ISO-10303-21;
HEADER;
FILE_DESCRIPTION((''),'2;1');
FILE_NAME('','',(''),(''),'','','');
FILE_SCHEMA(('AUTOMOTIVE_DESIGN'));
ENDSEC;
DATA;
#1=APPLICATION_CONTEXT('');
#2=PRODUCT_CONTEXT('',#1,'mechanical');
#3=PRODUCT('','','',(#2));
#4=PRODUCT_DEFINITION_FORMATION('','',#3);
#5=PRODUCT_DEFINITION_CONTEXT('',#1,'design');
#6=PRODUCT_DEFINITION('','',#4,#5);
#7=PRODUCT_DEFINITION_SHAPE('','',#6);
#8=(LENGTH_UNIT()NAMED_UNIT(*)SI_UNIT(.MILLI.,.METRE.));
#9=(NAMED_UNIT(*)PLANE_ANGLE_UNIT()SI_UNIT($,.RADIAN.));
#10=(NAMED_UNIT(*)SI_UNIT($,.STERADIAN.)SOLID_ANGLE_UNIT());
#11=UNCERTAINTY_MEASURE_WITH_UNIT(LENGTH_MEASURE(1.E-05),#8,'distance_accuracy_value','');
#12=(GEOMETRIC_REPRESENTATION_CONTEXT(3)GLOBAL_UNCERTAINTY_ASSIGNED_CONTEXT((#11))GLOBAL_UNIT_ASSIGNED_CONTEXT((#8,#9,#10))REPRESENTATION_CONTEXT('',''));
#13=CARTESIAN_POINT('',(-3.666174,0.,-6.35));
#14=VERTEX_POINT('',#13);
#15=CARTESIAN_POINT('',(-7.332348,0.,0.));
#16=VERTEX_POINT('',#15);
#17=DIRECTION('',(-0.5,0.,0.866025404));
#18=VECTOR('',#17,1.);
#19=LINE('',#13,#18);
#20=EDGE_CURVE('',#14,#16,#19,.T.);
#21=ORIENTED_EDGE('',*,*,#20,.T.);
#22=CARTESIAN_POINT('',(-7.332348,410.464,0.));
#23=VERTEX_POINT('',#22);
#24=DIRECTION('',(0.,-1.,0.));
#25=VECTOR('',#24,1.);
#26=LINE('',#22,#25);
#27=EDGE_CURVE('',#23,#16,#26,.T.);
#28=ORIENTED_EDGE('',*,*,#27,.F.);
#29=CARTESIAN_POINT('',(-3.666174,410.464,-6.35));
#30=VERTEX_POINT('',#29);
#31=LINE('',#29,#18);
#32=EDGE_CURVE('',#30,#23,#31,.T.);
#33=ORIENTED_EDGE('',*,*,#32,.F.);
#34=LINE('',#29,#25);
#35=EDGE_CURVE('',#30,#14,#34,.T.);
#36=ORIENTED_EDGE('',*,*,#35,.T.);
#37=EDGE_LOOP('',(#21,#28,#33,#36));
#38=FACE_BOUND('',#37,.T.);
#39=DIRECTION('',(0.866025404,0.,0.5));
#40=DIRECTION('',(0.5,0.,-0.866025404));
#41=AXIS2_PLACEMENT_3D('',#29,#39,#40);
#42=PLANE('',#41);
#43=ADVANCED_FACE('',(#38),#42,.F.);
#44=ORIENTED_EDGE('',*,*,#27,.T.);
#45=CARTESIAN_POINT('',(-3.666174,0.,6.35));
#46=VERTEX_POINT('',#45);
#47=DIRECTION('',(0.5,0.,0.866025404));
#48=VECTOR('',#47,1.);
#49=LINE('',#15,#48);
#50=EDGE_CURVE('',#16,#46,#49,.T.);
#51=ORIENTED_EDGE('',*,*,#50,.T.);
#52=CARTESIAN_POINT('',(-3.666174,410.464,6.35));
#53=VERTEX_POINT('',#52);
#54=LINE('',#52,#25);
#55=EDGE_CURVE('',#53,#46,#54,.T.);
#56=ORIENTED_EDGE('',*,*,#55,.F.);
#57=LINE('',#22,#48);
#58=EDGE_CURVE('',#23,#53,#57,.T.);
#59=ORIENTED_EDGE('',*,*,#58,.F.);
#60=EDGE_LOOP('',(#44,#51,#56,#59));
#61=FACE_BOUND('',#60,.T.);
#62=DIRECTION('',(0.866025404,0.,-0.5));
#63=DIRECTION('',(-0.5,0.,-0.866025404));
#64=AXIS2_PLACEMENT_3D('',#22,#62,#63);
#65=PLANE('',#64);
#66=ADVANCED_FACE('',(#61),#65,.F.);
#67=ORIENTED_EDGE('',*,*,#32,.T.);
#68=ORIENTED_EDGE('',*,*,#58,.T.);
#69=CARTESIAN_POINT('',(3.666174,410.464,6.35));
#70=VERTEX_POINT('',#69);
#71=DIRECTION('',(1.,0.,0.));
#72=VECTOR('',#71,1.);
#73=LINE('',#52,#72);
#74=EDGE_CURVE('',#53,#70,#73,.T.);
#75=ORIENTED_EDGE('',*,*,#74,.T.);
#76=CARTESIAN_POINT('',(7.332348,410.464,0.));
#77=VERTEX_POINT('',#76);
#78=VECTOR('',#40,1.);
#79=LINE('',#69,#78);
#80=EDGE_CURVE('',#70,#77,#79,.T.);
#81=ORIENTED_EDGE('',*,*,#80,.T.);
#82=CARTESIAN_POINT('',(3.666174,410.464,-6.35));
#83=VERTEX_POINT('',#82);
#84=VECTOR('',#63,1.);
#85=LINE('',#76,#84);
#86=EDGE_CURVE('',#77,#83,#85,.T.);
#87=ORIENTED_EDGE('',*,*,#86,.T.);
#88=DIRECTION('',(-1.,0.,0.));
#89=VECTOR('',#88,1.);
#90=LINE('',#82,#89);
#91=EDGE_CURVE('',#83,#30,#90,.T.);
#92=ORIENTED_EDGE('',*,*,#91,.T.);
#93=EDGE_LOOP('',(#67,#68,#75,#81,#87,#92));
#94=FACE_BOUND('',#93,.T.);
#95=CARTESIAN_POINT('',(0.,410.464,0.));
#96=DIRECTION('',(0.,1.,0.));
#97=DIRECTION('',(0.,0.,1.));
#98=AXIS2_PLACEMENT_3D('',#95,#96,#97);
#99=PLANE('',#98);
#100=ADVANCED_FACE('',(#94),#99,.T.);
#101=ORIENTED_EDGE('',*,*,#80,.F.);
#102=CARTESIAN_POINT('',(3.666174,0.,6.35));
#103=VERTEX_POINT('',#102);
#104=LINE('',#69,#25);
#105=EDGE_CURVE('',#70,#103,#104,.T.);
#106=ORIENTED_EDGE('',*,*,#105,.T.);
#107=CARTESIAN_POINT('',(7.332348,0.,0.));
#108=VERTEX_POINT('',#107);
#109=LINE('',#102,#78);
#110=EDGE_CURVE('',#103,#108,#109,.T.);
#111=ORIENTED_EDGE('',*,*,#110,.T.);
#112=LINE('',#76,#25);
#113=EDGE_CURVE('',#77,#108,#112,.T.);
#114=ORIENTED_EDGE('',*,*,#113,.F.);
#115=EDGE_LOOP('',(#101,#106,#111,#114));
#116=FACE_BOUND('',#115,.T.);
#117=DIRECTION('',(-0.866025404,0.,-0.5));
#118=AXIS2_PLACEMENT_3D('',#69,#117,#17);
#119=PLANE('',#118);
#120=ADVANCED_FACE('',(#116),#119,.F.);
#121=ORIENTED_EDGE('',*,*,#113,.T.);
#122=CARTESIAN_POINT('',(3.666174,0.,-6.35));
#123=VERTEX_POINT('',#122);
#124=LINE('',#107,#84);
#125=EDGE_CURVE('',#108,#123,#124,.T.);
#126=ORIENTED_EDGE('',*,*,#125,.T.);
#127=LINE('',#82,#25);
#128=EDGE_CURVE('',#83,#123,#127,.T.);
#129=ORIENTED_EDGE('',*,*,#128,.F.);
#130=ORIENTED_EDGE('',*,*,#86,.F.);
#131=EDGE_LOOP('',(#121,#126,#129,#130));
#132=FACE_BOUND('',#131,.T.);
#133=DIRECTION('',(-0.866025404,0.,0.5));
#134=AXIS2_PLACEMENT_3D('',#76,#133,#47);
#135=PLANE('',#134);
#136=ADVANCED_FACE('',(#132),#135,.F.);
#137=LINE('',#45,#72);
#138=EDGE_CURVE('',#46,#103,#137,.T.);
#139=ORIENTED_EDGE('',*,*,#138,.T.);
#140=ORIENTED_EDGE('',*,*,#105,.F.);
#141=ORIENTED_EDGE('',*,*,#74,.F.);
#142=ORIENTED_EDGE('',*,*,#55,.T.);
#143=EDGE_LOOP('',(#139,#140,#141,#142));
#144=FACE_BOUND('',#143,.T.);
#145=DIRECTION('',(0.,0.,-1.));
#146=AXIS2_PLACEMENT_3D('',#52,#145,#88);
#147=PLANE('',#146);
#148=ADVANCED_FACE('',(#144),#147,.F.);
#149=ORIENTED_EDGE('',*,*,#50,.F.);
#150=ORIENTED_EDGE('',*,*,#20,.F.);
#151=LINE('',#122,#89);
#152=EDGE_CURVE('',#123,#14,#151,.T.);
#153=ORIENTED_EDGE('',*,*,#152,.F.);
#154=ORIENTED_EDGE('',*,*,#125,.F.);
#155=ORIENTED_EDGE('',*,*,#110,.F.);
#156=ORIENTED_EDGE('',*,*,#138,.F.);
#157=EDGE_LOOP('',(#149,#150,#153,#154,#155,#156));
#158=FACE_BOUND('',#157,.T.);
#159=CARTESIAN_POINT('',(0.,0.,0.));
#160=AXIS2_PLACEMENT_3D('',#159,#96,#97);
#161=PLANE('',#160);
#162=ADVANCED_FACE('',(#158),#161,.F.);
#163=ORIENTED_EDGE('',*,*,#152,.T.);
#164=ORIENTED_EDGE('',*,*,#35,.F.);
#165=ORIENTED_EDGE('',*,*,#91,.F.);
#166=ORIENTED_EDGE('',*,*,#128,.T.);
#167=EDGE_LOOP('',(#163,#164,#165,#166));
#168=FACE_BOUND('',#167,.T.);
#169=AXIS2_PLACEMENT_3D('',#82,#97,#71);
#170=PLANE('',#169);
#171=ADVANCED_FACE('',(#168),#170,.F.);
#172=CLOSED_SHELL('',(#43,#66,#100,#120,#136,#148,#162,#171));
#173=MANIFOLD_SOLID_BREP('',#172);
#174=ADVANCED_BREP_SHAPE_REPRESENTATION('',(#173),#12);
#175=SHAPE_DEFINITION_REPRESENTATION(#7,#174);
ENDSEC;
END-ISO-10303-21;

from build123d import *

# Parameters (mm, degrees)
BOSS_EXTRUDE1_DEPTH = 410.464


with BuildPart() as part:
    # Sketch1 → Boss-Extrude1 (new body)
    with BuildSketch(Plane(origin=(0, 0, 0), x_dir=(1, 0, 0), z_dir=(0, 1, 0))):
        Polygon((3.666174209, -6.35), (7.332348419, 0), (3.666174209, 6.35), (-3.666174209, 6.35), (-7.332348419, 0), (-3.666174209, -6.35), align=None)
    extrude(amount=BOSS_EXTRUDE1_DEPTH)


solid = part.part
